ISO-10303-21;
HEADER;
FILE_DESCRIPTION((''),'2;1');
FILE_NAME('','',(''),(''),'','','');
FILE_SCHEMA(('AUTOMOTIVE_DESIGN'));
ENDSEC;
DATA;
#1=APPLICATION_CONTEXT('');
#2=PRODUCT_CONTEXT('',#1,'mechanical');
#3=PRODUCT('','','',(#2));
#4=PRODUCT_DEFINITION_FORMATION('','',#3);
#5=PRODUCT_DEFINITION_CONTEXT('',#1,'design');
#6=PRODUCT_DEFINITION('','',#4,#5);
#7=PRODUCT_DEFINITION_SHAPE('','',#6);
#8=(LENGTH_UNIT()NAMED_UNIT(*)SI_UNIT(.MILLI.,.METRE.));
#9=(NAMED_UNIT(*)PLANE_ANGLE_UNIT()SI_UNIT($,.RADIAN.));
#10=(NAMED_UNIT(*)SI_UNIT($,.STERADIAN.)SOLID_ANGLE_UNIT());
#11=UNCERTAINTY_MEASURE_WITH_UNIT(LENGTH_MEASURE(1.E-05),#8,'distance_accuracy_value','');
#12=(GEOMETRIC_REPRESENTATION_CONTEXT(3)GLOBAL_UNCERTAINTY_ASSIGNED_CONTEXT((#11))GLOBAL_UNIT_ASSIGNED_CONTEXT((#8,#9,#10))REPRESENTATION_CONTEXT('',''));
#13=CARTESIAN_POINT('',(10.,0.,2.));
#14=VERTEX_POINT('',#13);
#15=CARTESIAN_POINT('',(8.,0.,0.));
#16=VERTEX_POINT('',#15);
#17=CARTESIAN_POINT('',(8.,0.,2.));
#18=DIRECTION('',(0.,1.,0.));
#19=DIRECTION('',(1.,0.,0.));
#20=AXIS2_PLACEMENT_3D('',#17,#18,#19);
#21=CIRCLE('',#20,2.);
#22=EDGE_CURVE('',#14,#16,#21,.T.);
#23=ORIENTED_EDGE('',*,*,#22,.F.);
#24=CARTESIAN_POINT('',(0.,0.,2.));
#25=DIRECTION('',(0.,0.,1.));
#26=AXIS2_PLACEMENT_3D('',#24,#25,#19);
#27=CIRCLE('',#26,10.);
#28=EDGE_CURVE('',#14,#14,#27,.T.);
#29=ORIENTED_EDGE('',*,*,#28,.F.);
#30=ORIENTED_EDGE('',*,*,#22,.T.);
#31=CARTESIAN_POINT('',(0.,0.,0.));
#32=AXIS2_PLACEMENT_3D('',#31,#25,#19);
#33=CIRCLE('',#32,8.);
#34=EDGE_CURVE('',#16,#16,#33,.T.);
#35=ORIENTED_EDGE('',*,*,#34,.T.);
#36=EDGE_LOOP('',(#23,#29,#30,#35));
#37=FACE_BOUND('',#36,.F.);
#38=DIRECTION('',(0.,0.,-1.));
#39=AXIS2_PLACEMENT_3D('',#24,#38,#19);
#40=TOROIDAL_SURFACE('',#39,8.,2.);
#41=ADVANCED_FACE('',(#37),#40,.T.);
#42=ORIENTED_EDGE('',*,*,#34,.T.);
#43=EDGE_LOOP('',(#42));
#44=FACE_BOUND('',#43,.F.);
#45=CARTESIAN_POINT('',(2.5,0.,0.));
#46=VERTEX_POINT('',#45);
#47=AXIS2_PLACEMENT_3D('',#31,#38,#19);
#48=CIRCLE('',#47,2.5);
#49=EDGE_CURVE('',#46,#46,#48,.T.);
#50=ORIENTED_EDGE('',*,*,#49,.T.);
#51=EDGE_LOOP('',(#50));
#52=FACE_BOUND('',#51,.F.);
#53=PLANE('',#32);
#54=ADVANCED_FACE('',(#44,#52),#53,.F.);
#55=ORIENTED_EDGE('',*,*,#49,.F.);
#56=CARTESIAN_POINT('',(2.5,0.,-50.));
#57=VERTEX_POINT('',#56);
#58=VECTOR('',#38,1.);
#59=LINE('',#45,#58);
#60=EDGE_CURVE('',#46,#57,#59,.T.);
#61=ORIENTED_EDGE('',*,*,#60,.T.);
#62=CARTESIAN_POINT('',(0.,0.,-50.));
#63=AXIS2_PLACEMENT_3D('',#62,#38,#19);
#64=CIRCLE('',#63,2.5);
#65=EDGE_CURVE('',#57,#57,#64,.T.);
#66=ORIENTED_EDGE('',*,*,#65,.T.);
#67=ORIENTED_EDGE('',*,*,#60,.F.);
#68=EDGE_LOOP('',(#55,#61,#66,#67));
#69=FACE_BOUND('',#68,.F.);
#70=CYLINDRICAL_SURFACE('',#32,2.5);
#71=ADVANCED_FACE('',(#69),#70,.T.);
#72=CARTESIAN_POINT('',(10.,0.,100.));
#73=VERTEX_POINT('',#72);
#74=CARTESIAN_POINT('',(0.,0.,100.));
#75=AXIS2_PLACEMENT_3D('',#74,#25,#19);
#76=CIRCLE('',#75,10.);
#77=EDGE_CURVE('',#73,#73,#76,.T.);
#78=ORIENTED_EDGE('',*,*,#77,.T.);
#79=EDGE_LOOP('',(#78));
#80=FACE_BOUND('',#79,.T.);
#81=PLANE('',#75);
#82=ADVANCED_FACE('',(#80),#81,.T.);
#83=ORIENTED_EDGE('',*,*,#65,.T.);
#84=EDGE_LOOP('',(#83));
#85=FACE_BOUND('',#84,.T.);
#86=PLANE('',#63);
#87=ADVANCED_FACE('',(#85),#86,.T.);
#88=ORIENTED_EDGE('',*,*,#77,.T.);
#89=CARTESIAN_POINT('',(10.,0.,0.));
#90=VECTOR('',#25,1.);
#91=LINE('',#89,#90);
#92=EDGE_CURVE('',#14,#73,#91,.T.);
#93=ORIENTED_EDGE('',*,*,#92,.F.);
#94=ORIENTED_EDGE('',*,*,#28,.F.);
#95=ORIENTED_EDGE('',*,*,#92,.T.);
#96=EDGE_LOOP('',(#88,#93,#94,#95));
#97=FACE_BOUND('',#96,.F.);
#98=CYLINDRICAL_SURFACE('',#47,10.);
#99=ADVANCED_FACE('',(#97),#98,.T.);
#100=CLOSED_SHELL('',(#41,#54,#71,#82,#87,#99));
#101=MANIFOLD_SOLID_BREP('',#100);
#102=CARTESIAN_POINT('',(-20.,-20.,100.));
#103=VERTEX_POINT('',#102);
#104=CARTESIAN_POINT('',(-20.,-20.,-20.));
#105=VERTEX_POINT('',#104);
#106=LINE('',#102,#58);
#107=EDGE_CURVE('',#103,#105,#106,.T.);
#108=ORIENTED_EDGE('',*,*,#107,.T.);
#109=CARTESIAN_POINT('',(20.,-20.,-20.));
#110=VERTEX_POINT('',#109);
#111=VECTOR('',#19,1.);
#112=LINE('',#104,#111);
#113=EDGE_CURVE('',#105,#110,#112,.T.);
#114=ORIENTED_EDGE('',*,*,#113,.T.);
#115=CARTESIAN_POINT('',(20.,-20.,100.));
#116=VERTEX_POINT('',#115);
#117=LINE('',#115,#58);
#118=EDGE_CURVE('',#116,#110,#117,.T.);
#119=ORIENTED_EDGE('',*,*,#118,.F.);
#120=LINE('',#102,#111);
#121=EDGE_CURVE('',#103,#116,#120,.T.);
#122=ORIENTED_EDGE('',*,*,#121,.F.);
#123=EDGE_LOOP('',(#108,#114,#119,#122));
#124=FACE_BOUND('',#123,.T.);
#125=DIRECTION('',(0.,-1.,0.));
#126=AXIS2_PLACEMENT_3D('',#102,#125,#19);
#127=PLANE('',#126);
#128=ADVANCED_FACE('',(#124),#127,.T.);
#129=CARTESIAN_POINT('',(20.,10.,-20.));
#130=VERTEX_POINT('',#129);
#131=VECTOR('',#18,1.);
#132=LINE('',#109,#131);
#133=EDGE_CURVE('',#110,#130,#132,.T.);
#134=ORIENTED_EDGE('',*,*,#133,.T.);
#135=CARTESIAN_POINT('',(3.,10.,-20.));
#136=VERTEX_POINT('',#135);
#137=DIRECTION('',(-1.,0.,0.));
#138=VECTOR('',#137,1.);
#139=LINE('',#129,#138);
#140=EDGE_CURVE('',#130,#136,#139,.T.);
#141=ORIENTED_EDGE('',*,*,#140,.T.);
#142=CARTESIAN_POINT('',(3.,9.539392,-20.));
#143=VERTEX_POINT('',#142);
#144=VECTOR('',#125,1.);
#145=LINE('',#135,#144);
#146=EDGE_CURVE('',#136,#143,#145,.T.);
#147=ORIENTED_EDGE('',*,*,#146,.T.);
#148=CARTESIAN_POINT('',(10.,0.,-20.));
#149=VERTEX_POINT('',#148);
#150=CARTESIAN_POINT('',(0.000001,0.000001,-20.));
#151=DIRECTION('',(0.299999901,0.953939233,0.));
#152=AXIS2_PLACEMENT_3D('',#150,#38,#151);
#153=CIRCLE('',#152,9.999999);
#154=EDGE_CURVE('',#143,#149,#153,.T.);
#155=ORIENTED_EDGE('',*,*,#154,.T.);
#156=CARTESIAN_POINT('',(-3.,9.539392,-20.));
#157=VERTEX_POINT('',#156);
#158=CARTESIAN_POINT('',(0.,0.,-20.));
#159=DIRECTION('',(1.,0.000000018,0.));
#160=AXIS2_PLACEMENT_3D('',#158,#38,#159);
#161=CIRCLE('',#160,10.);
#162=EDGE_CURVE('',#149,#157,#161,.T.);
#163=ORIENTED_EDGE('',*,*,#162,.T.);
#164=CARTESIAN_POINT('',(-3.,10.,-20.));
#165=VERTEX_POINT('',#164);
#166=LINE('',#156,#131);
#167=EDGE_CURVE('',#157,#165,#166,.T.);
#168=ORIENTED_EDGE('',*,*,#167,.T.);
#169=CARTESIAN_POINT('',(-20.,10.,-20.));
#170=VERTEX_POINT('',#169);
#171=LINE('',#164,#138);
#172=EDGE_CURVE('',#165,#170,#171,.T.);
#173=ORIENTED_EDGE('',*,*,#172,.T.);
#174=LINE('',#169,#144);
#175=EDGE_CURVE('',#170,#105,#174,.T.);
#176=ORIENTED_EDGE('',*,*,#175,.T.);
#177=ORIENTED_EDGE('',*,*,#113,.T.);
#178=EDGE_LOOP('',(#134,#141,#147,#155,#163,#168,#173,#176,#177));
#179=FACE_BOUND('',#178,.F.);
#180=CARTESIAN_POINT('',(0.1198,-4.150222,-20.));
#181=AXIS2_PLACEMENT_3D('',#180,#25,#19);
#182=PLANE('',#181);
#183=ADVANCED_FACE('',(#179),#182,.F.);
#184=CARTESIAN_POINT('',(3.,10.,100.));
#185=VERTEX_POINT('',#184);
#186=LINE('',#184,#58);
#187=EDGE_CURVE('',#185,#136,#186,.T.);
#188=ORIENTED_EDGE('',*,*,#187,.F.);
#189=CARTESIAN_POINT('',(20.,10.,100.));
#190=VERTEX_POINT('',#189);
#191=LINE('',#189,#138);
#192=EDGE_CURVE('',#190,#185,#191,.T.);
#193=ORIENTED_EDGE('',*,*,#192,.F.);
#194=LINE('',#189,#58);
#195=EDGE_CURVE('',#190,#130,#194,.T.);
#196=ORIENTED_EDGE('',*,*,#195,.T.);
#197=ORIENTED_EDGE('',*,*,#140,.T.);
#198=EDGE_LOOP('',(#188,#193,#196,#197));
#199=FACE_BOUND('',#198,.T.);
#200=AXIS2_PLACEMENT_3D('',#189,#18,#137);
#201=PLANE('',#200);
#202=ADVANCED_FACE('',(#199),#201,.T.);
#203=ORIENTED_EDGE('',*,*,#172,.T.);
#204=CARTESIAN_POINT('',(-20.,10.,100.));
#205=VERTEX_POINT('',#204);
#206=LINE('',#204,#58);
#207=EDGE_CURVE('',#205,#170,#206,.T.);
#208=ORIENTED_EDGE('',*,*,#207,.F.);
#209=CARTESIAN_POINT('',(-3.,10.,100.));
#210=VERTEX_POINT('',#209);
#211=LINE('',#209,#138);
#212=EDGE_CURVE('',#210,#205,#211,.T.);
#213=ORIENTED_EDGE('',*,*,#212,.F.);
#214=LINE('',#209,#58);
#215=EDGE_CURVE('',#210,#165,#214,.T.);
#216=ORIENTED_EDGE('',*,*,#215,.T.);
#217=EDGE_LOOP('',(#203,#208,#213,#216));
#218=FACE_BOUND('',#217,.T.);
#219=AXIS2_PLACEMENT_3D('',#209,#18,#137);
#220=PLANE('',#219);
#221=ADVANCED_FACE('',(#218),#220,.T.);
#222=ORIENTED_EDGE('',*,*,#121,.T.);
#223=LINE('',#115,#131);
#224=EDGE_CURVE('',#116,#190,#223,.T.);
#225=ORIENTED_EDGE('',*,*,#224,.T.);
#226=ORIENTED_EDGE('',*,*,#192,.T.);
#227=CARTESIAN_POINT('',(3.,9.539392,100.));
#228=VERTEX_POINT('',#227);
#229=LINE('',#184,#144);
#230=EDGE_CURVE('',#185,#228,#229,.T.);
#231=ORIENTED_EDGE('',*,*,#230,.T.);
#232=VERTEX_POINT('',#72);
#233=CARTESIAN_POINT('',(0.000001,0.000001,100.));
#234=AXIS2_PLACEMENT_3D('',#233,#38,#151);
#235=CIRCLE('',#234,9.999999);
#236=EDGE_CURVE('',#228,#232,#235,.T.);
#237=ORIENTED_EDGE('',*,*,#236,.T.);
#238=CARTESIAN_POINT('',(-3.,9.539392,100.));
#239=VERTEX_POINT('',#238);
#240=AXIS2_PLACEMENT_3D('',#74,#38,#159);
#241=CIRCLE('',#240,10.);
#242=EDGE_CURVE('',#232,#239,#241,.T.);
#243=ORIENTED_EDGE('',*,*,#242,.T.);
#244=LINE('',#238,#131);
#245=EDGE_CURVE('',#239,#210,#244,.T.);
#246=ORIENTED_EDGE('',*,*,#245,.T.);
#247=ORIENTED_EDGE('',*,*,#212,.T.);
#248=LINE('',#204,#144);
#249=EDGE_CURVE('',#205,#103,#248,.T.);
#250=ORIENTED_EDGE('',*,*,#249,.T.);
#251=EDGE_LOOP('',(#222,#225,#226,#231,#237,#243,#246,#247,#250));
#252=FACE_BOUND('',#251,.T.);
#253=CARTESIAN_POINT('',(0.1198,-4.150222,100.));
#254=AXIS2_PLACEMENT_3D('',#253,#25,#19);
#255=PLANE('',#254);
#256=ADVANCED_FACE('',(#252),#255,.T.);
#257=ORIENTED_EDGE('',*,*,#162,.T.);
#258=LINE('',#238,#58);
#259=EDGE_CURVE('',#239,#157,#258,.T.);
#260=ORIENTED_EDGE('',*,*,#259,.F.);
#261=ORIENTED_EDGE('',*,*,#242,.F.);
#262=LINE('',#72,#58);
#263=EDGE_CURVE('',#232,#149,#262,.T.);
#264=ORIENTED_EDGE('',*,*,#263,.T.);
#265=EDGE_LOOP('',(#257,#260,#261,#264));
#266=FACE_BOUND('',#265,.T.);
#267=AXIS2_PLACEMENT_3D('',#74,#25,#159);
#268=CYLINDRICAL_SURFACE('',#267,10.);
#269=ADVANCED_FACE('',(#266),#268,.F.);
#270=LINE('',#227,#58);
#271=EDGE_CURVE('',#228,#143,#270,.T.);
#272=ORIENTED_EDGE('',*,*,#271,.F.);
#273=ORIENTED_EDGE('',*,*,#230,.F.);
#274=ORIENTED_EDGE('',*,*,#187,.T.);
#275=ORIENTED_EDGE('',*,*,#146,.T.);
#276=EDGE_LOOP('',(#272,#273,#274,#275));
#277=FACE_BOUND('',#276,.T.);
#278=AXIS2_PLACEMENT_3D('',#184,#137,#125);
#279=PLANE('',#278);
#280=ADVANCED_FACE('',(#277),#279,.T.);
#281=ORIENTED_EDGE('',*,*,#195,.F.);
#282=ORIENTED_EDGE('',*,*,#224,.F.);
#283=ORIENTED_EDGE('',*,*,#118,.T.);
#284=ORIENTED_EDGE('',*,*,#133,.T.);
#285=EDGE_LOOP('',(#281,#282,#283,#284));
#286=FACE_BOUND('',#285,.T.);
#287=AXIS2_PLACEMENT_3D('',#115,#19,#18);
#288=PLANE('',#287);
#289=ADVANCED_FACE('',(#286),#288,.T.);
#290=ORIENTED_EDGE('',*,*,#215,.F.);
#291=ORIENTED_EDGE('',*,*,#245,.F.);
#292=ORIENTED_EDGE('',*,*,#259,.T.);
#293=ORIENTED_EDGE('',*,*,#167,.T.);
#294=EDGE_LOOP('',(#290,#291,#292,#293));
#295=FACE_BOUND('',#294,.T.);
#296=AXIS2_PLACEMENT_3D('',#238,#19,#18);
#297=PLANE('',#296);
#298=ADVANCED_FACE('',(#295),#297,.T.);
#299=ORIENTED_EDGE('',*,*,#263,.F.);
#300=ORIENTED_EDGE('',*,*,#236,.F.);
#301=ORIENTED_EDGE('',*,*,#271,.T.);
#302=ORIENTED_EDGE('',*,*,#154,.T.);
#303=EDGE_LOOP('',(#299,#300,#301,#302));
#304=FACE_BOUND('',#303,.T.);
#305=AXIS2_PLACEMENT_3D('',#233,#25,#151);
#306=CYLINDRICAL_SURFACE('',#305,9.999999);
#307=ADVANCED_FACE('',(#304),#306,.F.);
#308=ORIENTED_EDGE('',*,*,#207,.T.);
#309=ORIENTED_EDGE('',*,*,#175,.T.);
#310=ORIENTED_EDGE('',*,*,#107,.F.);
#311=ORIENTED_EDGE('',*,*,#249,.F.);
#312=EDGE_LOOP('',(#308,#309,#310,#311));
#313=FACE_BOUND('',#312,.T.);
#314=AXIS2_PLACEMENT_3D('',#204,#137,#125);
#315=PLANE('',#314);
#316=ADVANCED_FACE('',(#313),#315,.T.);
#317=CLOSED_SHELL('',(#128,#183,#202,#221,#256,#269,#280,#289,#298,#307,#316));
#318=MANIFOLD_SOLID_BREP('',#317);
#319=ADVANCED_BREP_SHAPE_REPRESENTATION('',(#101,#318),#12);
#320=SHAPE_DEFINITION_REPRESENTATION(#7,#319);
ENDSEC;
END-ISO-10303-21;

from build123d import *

# Parameters (mm, degrees)
F0_R     = 10
F1_DEPTH = 100
F2_R     = 2.5
F3_DEPTH = 50
F4_R     = 2
F6_DEPTH = 120


with BuildPart() as f1:
    # F0 (on Top) → F1 (new body)
    with BuildSketch(Plane.XY):
        Circle(F0_R)
    extrude(amount=F1_DEPTH)

    # F2 (on face) → F3 (join)
    with BuildSketch(Plane(origin=(0, 0, 0), x_dir=(1, 0, 0), z_dir=(0, 0, -1))):
        Circle(F2_R)
    extrude(amount=F3_DEPTH)

    # F4
    f4_edges = [f1.edges().sort_by_distance(p)[0] for p in [
        (-10, 0, 0),
    ]]
    fillet(f4_edges, radius=F4_R)


with BuildPart() as f6:
    # F5 (on face) → F6 (new body)
    with BuildSketch(Plane.XY.offset(100)):
        with BuildLine():
            Line((-20, -20), (20, -20))
            Line((20, -20), (20, 10))
            Line((20, 10), (3, 10))
            Line((3, 10), (3, 9.539392))
            ThreePointArc((3, 9.539392), (8.062258, 5.91608), (10, 0))
            ThreePointArc((10, 0), (-5.91608, -8.062258), (-3, 9.539392))
            Line((-3, 9.539392), (-3, 10))
            Line((-3, 10), (-20, 10))
            Line((-20, 10), (-20, -20))
        make_face()
    extrude(amount=-F6_DEPTH)


solid = Compound([f1.part, f6.part])
